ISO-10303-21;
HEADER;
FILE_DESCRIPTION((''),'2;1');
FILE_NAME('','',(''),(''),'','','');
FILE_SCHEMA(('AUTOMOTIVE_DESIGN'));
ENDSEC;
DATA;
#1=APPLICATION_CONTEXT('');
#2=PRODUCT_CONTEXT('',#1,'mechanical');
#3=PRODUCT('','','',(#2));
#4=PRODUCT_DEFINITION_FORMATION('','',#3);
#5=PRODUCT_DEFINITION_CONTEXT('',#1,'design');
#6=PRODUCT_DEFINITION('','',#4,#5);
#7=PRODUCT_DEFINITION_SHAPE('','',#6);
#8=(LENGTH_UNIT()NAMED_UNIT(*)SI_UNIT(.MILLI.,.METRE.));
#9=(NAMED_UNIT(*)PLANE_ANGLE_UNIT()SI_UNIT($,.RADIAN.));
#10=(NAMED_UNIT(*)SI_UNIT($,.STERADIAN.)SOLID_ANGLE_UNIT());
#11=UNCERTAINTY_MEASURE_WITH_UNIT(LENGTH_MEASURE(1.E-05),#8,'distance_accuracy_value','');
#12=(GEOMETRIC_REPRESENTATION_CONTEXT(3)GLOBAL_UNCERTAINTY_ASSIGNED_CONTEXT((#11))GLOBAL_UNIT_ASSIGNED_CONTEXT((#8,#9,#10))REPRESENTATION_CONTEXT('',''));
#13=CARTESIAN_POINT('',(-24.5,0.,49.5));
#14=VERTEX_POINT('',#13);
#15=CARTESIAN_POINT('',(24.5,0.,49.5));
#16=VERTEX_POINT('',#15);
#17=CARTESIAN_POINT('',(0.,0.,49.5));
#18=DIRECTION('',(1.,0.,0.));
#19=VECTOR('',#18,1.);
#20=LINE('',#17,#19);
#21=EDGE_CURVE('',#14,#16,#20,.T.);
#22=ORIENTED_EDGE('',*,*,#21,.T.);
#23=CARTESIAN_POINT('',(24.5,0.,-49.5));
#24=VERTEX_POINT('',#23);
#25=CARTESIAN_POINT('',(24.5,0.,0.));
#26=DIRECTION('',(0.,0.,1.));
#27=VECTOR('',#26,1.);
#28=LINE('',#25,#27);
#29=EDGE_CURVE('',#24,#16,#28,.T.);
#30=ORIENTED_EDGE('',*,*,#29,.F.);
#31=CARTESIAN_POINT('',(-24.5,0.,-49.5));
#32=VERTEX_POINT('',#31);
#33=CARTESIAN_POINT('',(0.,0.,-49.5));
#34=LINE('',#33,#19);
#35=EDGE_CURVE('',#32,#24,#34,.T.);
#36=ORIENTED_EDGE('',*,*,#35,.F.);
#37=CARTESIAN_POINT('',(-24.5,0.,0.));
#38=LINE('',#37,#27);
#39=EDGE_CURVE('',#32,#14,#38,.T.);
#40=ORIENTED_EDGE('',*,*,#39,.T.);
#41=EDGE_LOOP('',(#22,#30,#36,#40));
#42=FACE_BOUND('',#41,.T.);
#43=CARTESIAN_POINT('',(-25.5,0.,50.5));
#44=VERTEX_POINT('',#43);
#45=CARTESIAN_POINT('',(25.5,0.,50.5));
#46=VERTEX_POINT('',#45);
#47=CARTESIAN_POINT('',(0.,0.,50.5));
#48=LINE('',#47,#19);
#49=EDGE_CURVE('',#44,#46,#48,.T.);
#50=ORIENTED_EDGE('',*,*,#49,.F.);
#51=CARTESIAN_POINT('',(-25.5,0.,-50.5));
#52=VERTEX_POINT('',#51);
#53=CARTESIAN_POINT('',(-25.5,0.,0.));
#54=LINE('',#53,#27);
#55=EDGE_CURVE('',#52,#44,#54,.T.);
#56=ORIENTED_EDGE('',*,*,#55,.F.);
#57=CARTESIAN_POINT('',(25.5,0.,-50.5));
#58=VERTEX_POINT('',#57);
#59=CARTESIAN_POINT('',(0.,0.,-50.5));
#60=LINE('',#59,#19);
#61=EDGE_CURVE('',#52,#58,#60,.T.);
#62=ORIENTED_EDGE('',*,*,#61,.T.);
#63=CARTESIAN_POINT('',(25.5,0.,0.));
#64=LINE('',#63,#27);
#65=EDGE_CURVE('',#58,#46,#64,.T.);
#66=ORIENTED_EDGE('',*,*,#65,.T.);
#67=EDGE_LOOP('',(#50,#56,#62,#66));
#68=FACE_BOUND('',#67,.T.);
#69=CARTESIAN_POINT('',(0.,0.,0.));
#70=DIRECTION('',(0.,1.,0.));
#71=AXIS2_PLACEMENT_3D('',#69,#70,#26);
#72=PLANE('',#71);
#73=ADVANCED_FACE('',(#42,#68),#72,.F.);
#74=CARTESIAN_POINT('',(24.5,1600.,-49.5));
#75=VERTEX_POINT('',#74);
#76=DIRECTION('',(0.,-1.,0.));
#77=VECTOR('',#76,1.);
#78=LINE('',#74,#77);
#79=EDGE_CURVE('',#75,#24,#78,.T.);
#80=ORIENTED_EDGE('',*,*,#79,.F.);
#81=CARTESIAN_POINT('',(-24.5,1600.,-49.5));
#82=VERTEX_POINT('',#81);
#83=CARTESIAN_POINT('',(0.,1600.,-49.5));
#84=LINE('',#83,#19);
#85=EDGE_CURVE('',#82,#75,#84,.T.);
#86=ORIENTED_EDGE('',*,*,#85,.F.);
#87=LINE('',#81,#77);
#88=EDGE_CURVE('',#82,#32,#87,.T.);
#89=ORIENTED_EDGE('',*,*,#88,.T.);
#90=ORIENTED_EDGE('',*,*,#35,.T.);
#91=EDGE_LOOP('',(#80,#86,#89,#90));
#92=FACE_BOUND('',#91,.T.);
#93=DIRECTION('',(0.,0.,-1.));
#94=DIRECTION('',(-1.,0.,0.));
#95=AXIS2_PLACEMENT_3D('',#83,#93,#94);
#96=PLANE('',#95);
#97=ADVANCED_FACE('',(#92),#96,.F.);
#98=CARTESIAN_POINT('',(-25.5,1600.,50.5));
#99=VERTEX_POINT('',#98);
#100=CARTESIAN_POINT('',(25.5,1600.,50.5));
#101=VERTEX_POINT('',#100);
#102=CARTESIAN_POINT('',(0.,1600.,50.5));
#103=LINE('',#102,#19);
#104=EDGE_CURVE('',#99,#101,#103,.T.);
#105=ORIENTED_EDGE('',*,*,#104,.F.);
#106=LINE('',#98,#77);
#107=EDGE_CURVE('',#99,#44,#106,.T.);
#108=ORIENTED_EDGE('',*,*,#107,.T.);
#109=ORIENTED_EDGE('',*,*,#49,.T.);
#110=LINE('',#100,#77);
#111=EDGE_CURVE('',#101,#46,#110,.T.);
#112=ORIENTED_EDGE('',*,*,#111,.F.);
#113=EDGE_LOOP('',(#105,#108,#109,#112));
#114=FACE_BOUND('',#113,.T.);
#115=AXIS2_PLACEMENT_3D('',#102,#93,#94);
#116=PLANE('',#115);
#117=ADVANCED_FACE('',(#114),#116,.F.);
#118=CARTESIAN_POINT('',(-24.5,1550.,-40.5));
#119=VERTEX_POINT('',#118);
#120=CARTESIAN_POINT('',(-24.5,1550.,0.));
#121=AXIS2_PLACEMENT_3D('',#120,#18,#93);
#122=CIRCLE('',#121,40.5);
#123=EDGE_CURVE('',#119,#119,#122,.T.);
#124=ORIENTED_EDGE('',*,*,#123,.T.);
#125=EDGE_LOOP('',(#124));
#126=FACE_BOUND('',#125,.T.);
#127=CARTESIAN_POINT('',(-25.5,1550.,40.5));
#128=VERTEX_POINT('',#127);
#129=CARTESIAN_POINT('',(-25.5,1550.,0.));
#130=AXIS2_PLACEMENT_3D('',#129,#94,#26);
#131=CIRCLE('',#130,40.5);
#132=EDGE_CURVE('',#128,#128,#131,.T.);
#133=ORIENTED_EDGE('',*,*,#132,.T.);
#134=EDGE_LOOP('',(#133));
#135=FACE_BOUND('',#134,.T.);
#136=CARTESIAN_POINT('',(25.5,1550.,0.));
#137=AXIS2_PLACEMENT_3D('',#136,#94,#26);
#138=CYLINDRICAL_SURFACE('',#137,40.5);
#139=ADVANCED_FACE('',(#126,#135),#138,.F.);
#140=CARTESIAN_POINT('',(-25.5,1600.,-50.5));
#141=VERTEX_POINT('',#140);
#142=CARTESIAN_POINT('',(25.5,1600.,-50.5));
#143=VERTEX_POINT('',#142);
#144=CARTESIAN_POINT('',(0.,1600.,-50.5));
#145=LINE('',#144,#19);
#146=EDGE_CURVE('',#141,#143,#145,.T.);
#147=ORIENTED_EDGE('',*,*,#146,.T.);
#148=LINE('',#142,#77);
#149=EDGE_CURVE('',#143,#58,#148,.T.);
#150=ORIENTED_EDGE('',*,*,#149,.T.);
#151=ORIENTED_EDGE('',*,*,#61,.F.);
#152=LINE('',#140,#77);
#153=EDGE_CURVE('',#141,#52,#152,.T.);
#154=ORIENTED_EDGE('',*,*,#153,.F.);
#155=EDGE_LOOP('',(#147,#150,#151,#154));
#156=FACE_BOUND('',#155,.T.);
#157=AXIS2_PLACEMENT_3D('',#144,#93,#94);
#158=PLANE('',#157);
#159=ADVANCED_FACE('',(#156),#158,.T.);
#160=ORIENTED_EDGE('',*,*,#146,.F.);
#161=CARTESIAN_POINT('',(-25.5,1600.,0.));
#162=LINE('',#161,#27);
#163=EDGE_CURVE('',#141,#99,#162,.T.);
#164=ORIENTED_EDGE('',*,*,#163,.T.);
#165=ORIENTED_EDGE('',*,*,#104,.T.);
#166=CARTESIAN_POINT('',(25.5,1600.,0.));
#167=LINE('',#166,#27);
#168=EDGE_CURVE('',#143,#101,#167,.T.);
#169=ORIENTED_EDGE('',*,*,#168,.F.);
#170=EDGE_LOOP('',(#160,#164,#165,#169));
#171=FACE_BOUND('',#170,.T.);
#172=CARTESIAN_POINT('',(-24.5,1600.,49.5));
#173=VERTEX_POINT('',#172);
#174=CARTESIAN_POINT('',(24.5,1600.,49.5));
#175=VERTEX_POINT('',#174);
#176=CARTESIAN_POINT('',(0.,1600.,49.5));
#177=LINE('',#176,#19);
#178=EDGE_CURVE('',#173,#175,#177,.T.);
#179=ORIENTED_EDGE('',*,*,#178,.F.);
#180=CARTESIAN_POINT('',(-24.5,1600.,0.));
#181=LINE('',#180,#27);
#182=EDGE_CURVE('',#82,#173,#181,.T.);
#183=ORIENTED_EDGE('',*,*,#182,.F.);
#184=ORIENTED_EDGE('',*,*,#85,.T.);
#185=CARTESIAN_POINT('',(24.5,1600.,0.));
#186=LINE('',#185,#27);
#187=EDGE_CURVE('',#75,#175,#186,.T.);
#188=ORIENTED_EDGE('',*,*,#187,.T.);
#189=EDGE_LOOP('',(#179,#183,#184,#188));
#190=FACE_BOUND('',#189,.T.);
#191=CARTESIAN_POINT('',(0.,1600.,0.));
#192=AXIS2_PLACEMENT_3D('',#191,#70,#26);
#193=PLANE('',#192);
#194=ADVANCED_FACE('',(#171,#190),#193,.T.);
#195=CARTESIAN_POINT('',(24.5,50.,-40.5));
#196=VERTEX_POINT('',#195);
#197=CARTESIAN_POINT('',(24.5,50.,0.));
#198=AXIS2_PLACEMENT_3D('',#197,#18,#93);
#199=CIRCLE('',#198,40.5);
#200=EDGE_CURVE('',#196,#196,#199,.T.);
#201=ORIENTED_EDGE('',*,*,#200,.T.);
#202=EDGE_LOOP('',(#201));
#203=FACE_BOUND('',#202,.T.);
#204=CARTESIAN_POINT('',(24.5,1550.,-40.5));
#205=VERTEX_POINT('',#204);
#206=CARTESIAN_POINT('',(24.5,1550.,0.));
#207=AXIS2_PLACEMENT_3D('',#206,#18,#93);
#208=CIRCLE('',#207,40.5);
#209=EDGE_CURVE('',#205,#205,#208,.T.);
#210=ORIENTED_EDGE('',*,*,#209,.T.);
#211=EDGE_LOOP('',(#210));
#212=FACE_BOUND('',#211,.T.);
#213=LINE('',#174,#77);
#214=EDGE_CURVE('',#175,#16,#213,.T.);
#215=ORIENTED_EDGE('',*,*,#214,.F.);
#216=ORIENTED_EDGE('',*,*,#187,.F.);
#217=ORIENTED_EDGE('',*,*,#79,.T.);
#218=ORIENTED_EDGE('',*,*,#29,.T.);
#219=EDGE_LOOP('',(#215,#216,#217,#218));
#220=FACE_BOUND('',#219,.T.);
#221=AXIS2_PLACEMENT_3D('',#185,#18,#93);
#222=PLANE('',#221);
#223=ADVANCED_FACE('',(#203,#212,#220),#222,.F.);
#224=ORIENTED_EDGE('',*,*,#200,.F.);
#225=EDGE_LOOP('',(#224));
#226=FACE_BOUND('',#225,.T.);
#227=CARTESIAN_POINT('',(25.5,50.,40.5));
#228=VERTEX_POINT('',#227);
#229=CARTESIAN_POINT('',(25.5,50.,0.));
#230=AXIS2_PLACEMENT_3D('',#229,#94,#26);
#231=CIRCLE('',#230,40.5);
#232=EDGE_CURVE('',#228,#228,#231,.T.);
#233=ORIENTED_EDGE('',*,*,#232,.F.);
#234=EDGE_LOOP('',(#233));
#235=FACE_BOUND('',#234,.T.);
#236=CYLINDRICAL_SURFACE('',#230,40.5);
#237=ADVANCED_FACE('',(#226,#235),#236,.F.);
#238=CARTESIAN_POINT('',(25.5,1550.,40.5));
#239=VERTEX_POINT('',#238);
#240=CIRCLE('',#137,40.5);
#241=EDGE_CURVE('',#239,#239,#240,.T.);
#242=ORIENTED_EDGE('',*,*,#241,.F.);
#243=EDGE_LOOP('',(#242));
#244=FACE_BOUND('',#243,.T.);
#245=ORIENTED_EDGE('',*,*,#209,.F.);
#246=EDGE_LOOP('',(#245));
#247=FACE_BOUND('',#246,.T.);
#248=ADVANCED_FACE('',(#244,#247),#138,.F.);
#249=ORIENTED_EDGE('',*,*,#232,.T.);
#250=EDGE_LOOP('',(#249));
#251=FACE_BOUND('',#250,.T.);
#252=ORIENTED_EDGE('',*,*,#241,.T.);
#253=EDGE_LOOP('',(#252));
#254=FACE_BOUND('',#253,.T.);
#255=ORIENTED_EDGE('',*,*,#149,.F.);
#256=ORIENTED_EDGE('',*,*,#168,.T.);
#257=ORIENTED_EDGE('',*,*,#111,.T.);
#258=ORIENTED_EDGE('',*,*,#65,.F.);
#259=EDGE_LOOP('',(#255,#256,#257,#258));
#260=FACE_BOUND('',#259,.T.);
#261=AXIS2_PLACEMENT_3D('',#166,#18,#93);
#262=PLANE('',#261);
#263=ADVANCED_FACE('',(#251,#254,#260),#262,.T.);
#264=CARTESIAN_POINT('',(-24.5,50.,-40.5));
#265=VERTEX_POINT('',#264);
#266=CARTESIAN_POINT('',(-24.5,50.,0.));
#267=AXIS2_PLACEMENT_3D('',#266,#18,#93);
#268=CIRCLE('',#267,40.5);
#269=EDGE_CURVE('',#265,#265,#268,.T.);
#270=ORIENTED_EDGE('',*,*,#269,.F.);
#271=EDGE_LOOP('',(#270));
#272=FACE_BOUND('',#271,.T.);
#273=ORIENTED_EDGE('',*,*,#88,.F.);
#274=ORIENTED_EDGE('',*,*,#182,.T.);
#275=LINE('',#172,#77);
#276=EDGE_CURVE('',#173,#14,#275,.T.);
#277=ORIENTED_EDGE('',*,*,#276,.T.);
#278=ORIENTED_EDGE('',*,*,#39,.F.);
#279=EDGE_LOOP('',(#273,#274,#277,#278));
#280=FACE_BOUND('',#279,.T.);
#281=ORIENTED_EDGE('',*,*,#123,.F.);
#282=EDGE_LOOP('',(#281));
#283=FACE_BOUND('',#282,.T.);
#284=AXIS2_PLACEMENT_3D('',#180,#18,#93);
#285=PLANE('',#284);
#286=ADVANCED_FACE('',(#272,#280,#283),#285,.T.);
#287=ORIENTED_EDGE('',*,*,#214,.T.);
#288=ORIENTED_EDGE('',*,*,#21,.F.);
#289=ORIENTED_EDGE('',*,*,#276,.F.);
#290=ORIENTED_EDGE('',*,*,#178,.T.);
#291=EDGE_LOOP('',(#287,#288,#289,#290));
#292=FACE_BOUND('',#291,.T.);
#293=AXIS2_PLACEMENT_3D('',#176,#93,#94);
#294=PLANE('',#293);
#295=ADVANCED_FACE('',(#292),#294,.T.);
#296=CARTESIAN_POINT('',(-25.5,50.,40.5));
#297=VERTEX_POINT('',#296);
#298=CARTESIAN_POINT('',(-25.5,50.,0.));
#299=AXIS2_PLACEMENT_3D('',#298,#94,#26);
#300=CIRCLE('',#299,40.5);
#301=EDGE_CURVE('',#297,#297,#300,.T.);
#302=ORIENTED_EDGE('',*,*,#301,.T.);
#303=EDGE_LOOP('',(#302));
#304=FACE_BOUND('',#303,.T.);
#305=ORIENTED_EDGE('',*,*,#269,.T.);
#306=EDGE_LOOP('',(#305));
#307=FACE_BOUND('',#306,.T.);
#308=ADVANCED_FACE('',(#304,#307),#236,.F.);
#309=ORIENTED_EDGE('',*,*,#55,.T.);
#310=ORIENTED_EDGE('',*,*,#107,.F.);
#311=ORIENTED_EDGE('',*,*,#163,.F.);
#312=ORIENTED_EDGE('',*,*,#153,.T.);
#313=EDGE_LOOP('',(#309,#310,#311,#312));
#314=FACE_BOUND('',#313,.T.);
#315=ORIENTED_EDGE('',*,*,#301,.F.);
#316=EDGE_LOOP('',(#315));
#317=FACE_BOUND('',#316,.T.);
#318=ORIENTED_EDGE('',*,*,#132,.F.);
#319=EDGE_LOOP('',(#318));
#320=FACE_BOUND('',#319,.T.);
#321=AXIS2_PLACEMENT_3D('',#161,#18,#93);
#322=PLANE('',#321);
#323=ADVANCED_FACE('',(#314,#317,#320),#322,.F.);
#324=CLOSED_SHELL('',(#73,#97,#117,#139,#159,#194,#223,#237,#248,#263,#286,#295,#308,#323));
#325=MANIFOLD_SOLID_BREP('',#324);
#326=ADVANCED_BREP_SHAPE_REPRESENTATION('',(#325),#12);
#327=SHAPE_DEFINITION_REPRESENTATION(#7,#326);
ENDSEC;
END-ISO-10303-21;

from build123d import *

# Parameters (mm, degrees)
SKETCH2_W           = 51
SKETCH2_H           = 101
SKETCH2_W_2         = 49
SKETCH2_H_2         = 99
BOSS_EXTRUDE2_DEPTH = 1600
SKETCH3_R           = 40.5
CUT_EXTRUDE2_DEPTH  = 52


with BuildPart() as part:
    # Sketch2 → Boss-Extrude2 (new body)
    with BuildSketch(Plane(origin=(0, 0, 0), x_dir=(1, 0, 0), z_dir=(0, 1, 0))):
        Rectangle(SKETCH2_W, SKETCH2_H)
        Rectangle(SKETCH2_W_2, SKETCH2_H_2, mode=Mode.SUBTRACT)
    extrude(amount=BOSS_EXTRUDE2_DEPTH)

    # Sketch3 → Cut-Extrude2 (cut, through all)
    with BuildSketch(Plane.ZY.offset(25.5)):
        with Locations((0, 50)):
            Circle(SKETCH3_R)
        with Locations((0, 1550)):
            Circle(SKETCH3_R)
    extrude(amount=-CUT_EXTRUDE2_DEPTH, mode=Mode.SUBTRACT)


solid = part.part
